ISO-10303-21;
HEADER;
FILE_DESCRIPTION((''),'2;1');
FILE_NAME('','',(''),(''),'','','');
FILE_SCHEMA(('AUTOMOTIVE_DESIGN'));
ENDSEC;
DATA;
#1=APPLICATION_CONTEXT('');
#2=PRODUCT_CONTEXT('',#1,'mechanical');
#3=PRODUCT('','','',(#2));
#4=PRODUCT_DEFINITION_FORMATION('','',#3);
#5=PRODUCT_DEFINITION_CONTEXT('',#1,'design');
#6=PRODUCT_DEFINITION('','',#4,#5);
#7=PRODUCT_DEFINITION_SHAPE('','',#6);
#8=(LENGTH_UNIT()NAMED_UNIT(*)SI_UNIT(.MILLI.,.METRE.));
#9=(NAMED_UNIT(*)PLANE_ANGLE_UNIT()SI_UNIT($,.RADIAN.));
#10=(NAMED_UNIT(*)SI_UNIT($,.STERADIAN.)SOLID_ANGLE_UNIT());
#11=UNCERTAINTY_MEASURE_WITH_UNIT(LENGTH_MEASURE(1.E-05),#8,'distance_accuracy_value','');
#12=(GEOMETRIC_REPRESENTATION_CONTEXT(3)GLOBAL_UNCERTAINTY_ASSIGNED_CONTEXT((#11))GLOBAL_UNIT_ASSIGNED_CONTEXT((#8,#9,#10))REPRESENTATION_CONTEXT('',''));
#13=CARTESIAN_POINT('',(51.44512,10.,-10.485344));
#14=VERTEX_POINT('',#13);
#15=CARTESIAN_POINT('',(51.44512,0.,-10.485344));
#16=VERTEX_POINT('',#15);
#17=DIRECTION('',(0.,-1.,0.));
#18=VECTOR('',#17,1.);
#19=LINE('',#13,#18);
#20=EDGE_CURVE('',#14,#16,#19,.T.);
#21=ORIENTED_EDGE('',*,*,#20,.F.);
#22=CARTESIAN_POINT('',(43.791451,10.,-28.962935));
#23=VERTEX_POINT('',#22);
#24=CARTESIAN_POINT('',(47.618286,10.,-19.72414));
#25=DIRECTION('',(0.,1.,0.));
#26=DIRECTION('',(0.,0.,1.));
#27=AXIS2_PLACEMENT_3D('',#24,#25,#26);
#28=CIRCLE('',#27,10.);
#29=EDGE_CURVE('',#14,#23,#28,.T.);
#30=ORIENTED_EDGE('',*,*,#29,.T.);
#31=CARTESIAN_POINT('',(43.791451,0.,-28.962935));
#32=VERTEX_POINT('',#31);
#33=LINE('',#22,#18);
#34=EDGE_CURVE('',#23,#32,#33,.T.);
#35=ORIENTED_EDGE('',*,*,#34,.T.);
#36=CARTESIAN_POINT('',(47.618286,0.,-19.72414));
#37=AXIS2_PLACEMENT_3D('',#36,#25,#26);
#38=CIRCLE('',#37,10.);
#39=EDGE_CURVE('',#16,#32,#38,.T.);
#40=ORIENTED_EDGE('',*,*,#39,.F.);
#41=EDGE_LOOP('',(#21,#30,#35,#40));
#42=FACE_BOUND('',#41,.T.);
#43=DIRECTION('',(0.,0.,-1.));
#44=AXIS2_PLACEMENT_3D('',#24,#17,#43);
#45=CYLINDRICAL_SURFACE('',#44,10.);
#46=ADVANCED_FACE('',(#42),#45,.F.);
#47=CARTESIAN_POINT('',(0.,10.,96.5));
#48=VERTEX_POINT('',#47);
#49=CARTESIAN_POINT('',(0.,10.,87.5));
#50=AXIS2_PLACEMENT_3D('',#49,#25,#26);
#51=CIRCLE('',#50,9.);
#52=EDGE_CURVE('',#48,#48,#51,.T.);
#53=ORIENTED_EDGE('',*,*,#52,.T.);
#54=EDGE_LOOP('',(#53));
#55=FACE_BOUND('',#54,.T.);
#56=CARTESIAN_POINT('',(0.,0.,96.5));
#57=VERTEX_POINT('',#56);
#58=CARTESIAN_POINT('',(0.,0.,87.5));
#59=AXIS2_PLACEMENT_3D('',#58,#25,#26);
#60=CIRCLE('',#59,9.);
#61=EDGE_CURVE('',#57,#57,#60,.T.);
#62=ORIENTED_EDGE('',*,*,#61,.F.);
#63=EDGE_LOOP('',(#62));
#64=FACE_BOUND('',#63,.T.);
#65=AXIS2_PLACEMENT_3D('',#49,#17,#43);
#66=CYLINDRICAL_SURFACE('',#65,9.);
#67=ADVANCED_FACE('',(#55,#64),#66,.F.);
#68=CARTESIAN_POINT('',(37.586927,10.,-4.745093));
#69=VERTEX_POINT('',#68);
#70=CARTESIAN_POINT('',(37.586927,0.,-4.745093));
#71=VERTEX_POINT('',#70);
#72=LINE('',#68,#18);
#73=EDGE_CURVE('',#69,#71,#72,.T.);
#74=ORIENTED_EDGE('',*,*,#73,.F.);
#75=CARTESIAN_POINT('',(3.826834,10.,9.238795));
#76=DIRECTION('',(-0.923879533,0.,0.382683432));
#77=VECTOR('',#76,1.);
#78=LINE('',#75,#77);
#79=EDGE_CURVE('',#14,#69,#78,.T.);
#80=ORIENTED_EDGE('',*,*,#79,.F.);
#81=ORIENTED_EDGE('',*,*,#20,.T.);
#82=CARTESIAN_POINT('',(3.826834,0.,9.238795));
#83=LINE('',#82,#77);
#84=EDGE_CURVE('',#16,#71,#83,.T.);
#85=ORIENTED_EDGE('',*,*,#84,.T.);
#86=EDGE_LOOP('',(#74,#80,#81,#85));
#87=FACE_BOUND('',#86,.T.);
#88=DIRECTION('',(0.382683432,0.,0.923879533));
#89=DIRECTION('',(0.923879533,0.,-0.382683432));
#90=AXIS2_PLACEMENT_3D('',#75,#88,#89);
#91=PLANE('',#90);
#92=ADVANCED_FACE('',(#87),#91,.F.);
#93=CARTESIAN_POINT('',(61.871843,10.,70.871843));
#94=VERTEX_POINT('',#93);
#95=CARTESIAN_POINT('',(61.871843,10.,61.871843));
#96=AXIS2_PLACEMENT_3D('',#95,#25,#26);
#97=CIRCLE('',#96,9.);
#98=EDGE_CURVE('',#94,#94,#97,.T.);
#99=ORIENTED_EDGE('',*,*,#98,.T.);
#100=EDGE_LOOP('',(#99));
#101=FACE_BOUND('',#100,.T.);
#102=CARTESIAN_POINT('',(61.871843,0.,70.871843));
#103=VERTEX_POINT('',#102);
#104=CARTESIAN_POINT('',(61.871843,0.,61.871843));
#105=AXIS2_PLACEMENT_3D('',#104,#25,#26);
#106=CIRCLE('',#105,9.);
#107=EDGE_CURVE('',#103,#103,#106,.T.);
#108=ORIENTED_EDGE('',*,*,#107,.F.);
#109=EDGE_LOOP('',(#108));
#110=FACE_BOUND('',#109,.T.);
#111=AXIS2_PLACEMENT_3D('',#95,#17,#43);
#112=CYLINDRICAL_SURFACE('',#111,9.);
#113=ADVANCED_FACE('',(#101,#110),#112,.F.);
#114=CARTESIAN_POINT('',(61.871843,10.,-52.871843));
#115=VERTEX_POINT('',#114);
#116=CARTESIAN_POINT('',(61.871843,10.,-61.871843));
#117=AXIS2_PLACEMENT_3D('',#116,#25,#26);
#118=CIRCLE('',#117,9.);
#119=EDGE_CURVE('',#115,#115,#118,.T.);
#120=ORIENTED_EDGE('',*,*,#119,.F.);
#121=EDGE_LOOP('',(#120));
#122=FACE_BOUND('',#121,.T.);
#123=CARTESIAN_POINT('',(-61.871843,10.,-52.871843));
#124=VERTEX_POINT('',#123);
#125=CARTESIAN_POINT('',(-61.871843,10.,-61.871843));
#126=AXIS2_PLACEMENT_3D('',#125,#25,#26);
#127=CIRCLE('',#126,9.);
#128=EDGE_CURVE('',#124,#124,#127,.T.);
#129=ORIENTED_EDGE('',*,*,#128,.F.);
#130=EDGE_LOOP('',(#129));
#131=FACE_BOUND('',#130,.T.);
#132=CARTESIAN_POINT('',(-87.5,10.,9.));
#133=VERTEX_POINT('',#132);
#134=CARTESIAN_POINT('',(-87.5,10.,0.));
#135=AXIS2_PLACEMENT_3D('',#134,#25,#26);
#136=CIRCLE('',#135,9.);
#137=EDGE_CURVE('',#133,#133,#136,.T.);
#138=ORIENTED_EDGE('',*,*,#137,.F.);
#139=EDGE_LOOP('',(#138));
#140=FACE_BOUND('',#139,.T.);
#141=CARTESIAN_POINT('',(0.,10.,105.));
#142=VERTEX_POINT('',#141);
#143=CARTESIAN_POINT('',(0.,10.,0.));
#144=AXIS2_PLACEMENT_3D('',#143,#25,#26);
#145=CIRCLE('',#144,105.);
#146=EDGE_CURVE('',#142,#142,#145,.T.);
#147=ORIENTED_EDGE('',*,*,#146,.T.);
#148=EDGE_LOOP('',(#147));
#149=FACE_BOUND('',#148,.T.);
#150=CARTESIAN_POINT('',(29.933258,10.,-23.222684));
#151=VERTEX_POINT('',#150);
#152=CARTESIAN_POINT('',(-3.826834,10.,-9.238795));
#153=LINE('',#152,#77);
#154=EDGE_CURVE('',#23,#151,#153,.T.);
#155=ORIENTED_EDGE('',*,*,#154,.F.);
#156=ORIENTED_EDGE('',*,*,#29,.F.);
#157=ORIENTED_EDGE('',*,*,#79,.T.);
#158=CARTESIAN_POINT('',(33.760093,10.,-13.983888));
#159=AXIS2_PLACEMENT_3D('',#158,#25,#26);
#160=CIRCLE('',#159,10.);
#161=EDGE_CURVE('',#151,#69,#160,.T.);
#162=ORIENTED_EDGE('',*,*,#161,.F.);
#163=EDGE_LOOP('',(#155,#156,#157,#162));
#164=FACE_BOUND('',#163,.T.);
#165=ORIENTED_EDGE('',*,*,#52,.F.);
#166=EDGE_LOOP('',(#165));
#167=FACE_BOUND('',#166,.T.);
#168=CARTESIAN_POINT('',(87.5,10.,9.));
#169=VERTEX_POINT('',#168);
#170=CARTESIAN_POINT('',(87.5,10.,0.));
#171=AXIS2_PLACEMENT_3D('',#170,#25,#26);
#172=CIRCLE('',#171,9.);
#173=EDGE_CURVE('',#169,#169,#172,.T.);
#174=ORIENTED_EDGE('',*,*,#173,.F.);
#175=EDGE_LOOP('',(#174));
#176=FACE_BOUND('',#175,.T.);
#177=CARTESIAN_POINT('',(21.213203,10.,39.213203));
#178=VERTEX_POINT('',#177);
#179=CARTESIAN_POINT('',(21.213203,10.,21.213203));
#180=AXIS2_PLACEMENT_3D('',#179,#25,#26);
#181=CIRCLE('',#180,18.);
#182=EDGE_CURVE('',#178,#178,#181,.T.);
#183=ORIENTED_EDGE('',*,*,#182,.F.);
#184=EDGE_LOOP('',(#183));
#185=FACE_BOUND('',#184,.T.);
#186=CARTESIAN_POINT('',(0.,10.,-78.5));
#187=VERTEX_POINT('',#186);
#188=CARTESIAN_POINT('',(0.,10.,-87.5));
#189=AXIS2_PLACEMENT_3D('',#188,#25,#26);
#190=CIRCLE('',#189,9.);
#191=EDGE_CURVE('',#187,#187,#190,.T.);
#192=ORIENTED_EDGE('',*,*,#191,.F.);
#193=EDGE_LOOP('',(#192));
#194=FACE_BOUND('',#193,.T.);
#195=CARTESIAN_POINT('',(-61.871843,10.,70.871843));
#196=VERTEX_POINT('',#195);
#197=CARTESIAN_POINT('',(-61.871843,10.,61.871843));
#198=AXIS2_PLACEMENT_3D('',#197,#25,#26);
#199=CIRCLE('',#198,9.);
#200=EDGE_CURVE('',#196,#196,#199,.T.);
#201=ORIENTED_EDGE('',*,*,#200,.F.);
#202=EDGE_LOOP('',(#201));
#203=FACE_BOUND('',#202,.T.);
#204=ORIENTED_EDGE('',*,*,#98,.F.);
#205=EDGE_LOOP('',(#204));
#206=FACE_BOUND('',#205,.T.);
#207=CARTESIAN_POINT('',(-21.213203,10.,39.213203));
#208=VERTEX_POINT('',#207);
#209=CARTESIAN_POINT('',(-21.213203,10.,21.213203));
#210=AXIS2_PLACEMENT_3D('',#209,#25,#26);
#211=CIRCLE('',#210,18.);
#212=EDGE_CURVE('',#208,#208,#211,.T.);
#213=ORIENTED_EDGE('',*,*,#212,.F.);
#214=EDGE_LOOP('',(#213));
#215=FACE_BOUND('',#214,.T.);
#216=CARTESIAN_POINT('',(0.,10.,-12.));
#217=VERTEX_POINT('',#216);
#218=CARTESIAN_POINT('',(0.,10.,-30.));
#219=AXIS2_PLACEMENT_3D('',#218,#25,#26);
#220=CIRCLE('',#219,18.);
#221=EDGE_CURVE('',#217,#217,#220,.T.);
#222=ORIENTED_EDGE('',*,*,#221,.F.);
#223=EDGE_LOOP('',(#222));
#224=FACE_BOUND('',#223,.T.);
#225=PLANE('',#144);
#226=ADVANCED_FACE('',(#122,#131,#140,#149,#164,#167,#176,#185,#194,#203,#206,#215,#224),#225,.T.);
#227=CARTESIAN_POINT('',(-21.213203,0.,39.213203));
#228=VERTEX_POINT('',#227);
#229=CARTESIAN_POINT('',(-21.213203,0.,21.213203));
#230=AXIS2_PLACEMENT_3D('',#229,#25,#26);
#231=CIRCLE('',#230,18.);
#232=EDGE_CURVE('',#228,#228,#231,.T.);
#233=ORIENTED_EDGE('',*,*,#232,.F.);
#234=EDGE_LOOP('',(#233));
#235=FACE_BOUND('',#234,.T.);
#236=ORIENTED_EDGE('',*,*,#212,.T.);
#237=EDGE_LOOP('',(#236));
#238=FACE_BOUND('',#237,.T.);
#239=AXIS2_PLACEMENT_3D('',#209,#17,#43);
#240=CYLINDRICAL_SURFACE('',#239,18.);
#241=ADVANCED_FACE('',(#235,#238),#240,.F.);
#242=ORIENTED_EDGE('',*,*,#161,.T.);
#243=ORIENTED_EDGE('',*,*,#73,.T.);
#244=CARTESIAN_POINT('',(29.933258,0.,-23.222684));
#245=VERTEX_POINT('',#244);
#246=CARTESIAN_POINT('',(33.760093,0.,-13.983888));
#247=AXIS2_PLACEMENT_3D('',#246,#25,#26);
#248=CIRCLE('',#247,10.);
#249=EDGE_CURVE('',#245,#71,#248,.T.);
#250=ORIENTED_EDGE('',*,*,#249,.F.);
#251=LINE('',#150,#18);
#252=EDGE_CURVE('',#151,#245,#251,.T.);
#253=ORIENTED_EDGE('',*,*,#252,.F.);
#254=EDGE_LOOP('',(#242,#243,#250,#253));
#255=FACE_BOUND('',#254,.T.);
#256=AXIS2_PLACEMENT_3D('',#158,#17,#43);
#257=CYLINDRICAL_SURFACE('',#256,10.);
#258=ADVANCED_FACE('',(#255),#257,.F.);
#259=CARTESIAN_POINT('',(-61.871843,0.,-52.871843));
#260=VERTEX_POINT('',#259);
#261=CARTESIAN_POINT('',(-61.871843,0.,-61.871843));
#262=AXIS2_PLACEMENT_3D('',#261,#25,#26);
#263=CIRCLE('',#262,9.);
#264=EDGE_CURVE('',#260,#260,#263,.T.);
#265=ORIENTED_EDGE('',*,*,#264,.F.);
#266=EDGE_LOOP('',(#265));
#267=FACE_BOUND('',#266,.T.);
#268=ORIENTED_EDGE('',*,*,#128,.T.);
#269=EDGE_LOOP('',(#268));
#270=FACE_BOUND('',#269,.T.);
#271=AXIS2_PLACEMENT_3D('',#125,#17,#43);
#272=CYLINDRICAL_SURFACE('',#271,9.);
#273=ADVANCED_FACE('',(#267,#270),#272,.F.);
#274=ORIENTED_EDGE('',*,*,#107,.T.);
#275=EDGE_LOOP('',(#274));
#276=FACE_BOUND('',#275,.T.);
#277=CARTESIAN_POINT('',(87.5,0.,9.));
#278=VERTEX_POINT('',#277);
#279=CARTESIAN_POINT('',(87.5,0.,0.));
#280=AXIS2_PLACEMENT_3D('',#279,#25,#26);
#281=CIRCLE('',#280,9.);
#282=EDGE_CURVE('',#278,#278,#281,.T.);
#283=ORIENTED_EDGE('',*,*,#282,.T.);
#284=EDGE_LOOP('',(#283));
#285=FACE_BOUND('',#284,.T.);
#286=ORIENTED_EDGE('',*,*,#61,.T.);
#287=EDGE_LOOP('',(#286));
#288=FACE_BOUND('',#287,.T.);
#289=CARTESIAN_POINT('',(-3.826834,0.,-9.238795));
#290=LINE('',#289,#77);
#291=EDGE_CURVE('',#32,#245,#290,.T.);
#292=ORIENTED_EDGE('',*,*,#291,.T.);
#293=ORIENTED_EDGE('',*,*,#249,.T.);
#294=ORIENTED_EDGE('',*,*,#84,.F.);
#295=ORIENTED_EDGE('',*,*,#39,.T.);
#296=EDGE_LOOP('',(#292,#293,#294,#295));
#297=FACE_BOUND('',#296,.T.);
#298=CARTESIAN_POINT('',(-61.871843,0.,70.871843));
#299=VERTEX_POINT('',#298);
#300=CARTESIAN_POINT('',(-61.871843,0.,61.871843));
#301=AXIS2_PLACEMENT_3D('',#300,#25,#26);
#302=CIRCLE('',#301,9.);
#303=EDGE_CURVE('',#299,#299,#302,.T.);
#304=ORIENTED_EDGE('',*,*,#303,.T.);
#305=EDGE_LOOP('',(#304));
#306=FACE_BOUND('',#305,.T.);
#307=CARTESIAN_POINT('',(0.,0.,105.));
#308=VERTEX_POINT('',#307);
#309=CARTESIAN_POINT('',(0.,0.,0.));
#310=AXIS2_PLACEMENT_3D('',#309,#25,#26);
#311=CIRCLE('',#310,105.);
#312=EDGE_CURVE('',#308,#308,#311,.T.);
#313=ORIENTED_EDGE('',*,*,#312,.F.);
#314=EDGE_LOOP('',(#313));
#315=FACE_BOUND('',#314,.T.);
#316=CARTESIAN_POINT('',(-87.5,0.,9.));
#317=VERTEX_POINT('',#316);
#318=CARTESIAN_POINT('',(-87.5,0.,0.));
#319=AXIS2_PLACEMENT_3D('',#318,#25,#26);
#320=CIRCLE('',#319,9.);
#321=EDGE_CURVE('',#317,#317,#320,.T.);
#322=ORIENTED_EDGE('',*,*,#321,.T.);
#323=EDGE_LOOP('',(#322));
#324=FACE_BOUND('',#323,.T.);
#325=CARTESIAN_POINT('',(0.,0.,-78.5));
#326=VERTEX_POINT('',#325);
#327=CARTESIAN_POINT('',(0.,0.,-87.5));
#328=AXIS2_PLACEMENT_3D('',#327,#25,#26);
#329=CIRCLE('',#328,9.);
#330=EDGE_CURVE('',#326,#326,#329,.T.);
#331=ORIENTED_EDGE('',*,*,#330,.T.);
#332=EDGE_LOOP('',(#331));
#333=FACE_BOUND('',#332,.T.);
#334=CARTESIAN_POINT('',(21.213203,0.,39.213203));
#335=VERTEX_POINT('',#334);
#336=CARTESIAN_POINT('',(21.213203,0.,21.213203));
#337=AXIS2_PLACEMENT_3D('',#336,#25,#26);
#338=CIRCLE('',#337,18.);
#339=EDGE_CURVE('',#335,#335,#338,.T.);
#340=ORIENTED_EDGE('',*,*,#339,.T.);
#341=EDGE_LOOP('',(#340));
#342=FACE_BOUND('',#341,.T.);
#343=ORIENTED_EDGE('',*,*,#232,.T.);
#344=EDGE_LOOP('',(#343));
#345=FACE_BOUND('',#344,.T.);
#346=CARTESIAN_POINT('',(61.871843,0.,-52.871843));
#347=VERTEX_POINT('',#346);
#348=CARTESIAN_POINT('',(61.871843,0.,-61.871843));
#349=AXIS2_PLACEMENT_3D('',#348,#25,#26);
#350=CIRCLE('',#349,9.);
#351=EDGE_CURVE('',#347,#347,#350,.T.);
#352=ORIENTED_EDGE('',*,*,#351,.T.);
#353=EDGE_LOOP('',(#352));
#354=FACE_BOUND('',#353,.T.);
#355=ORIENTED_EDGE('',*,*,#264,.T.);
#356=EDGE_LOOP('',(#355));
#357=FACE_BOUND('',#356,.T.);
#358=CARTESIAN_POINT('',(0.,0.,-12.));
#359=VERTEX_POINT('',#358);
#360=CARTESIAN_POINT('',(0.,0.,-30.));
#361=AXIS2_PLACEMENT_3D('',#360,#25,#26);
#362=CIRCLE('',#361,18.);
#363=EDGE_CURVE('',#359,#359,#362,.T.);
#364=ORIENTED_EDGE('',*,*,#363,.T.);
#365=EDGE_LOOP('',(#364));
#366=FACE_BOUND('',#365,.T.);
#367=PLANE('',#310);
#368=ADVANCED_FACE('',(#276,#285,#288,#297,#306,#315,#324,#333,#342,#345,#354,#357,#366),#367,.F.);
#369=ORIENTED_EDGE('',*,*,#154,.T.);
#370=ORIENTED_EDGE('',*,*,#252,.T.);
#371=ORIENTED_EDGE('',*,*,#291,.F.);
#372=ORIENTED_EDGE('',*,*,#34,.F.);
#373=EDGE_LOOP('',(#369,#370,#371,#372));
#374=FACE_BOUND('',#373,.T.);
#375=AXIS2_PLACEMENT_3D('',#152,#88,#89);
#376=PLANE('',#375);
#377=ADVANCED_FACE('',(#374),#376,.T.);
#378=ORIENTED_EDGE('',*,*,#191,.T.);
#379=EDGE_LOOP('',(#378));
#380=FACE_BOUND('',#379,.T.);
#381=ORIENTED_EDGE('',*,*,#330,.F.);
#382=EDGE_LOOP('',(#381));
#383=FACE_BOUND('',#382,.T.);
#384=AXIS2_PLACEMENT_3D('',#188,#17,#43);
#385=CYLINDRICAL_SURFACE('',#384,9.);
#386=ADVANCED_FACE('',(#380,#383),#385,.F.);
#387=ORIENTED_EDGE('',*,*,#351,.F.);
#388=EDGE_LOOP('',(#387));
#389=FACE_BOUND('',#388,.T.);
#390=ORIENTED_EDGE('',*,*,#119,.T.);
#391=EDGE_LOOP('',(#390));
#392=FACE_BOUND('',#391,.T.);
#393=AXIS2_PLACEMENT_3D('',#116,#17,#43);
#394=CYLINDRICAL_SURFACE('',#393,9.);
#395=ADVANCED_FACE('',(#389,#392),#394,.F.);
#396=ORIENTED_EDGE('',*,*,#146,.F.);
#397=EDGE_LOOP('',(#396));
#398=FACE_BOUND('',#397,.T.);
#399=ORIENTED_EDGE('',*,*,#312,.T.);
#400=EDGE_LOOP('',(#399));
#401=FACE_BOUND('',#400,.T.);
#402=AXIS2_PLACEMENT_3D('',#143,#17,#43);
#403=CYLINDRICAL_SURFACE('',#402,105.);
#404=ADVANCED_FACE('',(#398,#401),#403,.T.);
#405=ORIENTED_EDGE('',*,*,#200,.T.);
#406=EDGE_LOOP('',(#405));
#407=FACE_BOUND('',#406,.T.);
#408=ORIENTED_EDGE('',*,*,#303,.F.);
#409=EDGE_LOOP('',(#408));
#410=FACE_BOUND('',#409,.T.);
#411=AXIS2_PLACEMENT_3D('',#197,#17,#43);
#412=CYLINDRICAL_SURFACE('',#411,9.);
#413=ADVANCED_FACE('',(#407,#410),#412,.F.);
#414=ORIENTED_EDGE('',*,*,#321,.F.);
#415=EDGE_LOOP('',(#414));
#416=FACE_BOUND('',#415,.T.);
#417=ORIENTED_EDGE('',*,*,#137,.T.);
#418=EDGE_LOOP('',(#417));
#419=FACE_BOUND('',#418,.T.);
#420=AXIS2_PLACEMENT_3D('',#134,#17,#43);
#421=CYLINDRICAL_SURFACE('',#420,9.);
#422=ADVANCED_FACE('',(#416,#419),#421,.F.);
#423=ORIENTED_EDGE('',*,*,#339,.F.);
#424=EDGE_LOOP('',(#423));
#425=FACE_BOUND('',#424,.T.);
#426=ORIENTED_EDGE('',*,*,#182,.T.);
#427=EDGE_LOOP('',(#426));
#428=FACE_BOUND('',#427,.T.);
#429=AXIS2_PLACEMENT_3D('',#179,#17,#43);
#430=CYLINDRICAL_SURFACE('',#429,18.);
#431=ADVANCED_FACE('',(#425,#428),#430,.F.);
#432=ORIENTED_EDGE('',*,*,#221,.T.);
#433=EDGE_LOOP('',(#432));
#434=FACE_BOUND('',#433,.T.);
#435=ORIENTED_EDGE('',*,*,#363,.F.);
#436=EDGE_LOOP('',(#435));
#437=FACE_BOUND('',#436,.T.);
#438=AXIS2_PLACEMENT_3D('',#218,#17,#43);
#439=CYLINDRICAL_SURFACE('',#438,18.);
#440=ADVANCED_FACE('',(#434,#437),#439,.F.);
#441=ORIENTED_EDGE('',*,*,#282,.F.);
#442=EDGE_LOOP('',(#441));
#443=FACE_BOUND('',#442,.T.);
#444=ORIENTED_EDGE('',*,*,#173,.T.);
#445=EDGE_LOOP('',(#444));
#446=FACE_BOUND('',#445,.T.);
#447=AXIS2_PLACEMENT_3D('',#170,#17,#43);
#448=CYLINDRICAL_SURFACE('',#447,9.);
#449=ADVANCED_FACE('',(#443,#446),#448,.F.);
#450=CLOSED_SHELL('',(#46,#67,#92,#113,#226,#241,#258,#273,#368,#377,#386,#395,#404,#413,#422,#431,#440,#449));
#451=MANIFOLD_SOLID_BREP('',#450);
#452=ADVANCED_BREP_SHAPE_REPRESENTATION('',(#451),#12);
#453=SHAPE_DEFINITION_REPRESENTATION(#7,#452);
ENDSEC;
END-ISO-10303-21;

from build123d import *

# Parameters (mm, degrees)
SKETCH3_R           = 105
SKETCH3_R_2         = 18
SKETCH3_R_3         = 9
BOSS_EXTRUDE2_DEPTH = 10


with BuildPart() as part:
    # Sketch3 → Boss-Extrude2 (new body)
    with BuildSketch(Plane(origin=(0, 0, 0), x_dir=(1, 0, 0), z_dir=(0, 1, 0))):
        with Locations(Location((0, 0, 0), (0, 0, 270))):
            Circle(SKETCH3_R)
        with Locations(Location((-21.213203436, -21.213203436, 0), (0, 0, 270))):
            Circle(SKETCH3_R_2, mode=Mode.SUBTRACT)
        with Locations(Location((21.213203436, -21.213203436, 0), (0, 0, 270))):
            Circle(SKETCH3_R_2, mode=Mode.SUBTRACT)
        with Locations(Location((0, 30, 0), (0, 0, 270))):
            Circle(SKETCH3_R_2, mode=Mode.SUBTRACT)
        with Locations(Location((87.5, 0, 0), (0, 0, 270))):
            Circle(SKETCH3_R_3, mode=Mode.SUBTRACT)
        with Locations(Location((61.871843354, -61.871843354, 0), (0, 0, 270))):
            Circle(SKETCH3_R_3, mode=Mode.SUBTRACT)
        with Locations(Location((0, -87.5, 0), (0, 0, 270))):
            Circle(SKETCH3_R_3, mode=Mode.SUBTRACT)
        with Locations(Location((-61.871843354, -61.871843354, 0), (0, 0, 270))):
            Circle(SKETCH3_R_3, mode=Mode.SUBTRACT)
        with Locations(Location((-87.5, 0, 0), (0, 0, 270))):
            Circle(SKETCH3_R_3, mode=Mode.SUBTRACT)
        with Locations(Location((-61.871843354, 61.871843354, 0), (0, 0, 270))):
            Circle(SKETCH3_R_3, mode=Mode.SUBTRACT)
        with Locations(Location((61.871843354, 61.871843354, 0), (0, 0, 270))):
            Circle(SKETCH3_R_3, mode=Mode.SUBTRACT)
        with Locations(Location((0, 87.5, 0), (0, 0, 270))):
            Circle(SKETCH3_R_3, mode=Mode.SUBTRACT)
        with BuildLine():
            ThreePointArc((29.933258413, 23.222683604), (24.521297412, 10.157053955), (37.586927061, 4.745092953))
            Line((37.586927061, 4.745092953), (51.445120048, 10.485344439))
            ThreePointArc((51.445120048, 10.485344439), (56.85708105, 23.550974088), (43.791451401, 28.962935089))
            Line((43.791451401, 28.962935089), (29.933258413, 23.222683604))
        make_face(mode=Mode.SUBTRACT)
    extrude(amount=BOSS_EXTRUDE2_DEPTH)


solid = part.part
